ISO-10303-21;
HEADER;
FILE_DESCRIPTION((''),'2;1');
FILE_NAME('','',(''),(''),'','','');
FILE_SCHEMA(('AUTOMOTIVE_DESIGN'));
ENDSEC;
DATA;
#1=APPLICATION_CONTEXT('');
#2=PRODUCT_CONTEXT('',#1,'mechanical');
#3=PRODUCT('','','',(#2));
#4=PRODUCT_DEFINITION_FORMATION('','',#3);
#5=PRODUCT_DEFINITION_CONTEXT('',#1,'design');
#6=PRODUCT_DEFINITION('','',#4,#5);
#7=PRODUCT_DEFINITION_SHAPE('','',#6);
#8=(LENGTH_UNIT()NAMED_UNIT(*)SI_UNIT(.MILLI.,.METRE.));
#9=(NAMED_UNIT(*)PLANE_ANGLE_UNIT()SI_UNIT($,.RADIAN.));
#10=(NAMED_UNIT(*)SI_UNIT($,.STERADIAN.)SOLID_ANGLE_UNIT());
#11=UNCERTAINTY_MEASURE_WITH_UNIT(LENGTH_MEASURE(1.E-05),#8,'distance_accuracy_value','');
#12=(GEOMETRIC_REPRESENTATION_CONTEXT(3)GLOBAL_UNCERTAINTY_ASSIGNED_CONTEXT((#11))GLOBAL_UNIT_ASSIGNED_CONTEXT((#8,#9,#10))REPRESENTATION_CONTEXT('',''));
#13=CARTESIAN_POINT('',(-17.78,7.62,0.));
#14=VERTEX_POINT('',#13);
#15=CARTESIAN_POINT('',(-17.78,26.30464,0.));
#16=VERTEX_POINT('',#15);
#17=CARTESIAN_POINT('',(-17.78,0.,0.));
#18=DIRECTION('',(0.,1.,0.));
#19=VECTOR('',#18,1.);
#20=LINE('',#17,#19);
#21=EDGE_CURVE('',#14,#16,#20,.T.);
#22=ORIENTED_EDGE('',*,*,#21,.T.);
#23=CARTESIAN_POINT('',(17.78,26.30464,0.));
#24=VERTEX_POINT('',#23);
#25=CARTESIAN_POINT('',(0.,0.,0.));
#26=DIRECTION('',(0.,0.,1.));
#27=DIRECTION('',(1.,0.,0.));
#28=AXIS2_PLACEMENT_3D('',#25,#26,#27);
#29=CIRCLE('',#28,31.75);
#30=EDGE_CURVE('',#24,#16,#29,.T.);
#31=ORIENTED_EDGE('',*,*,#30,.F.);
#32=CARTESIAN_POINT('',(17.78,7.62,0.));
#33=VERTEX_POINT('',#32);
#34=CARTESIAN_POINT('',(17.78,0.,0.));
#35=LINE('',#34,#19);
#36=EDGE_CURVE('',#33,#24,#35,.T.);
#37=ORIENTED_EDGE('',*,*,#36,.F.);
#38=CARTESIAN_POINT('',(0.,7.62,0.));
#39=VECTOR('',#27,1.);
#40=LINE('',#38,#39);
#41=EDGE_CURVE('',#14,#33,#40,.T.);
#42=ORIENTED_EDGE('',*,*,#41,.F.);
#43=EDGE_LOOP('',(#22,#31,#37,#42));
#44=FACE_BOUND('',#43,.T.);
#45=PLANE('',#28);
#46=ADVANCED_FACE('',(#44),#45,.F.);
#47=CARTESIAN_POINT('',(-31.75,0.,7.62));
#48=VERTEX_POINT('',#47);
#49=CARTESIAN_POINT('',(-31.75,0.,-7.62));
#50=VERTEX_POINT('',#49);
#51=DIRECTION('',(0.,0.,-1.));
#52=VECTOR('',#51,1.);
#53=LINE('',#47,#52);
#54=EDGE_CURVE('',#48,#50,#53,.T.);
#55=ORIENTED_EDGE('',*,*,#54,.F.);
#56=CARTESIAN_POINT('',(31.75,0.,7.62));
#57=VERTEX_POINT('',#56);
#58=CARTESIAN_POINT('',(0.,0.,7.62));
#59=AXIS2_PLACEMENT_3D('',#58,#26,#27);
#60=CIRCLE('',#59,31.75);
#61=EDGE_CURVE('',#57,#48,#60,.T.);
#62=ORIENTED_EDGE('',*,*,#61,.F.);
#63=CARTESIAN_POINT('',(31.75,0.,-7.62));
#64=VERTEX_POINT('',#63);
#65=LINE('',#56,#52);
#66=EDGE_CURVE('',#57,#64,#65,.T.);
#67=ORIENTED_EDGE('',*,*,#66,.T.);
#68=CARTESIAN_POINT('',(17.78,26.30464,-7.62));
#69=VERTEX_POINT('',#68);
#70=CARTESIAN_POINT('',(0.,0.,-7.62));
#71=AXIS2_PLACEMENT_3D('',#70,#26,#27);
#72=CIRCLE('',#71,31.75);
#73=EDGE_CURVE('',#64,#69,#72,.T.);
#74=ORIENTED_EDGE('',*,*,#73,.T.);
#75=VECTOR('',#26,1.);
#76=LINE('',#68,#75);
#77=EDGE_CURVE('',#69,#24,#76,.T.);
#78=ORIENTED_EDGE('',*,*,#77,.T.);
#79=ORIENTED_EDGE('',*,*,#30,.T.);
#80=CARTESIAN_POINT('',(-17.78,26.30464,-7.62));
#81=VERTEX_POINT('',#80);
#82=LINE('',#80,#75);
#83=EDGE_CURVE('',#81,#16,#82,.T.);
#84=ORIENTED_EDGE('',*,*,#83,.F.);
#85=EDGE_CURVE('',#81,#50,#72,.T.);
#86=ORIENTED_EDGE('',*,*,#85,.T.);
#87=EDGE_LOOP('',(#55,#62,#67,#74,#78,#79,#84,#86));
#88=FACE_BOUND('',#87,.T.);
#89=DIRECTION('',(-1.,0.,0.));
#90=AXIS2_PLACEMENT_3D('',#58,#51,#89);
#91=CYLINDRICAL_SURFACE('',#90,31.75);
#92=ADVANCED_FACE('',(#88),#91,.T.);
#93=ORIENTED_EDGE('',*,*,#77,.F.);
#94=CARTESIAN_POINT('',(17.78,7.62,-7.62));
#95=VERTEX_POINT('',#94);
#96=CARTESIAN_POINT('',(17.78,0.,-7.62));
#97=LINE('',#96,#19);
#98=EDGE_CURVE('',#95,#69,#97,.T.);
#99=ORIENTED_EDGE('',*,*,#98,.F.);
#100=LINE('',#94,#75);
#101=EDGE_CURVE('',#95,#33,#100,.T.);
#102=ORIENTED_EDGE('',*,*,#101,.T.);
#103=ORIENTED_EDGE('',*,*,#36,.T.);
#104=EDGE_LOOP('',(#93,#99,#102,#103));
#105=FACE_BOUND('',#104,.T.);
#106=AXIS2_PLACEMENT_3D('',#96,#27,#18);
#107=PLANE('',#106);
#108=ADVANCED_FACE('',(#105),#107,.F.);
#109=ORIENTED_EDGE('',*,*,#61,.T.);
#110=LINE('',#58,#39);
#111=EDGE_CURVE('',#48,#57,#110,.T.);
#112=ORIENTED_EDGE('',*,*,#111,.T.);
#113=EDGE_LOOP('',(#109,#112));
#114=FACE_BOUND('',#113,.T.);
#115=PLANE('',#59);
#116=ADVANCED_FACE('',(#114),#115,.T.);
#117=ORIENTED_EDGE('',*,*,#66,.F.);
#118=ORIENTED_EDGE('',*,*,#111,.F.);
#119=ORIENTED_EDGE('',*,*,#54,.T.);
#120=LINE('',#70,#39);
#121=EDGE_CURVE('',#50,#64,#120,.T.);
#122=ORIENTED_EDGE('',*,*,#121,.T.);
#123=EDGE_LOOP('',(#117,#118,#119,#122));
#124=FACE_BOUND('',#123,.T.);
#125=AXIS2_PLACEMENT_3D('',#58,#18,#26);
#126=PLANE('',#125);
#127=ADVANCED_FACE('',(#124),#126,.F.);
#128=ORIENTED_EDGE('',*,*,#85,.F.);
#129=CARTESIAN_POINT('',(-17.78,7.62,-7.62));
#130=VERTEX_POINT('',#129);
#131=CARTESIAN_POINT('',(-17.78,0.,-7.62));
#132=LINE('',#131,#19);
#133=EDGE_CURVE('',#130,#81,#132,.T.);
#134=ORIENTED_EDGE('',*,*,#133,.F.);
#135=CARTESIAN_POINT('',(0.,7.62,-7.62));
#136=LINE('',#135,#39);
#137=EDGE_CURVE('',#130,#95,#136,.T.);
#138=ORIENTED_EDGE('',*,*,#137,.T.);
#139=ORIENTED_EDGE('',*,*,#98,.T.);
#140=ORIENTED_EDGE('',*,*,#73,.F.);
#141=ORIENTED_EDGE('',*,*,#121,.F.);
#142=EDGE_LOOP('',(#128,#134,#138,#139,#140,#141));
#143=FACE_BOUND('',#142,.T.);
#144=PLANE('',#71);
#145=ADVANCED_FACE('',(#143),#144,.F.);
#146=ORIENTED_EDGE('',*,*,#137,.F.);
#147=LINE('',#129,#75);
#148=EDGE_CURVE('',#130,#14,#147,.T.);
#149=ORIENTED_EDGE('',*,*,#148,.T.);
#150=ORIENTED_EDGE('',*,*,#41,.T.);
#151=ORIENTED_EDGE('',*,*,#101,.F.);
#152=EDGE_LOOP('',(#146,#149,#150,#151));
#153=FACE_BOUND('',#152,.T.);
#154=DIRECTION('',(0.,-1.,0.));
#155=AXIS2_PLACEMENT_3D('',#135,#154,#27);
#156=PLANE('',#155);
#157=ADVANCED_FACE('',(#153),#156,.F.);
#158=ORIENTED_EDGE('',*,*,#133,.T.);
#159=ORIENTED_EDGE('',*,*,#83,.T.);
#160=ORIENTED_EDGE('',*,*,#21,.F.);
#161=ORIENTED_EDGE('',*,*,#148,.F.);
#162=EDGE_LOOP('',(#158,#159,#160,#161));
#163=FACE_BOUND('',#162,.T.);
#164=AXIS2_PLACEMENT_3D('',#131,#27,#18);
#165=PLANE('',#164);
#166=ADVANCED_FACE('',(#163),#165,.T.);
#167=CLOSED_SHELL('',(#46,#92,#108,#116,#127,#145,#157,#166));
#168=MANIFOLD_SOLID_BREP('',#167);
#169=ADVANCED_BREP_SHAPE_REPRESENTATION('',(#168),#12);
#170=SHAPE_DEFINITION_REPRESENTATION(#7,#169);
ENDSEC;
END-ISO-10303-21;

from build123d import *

# Parameters (mm, degrees)
BOSS_EXTRUDE1_DEPTH = 7.62
CUT_EXTRUDE1_DEPTH  = 7.62


with BuildPart() as part:
    # Sketch1 → Boss-Extrude1 (new, symmetric)
    with BuildSketch(Plane.XY):
        with BuildLine():
            ThreePointArc((31.75, 0), (0, 31.75), (-31.75, 0))
            Line((-31.75, 0), (31.75, 0))
        make_face()
    extrude(amount=BOSS_EXTRUDE1_DEPTH, both=True)

    # Sketch2 → Cut-Extrude1 (cut)
    with BuildSketch(Plane.XY):
        with BuildLine():
            ThreePointArc((17.78, 26.304640275), (0, 31.75), (-17.78, 26.304640275))
            Line((-17.78, 26.304640275), (-17.78, 7.62))
            Line((-17.78, 7.62), (17.78, 7.62))
            Line((17.78, 7.62), (17.78, 26.304640275))
        make_face()
    extrude(amount=-CUT_EXTRUDE1_DEPTH, mode=Mode.SUBTRACT)


solid = part.part
